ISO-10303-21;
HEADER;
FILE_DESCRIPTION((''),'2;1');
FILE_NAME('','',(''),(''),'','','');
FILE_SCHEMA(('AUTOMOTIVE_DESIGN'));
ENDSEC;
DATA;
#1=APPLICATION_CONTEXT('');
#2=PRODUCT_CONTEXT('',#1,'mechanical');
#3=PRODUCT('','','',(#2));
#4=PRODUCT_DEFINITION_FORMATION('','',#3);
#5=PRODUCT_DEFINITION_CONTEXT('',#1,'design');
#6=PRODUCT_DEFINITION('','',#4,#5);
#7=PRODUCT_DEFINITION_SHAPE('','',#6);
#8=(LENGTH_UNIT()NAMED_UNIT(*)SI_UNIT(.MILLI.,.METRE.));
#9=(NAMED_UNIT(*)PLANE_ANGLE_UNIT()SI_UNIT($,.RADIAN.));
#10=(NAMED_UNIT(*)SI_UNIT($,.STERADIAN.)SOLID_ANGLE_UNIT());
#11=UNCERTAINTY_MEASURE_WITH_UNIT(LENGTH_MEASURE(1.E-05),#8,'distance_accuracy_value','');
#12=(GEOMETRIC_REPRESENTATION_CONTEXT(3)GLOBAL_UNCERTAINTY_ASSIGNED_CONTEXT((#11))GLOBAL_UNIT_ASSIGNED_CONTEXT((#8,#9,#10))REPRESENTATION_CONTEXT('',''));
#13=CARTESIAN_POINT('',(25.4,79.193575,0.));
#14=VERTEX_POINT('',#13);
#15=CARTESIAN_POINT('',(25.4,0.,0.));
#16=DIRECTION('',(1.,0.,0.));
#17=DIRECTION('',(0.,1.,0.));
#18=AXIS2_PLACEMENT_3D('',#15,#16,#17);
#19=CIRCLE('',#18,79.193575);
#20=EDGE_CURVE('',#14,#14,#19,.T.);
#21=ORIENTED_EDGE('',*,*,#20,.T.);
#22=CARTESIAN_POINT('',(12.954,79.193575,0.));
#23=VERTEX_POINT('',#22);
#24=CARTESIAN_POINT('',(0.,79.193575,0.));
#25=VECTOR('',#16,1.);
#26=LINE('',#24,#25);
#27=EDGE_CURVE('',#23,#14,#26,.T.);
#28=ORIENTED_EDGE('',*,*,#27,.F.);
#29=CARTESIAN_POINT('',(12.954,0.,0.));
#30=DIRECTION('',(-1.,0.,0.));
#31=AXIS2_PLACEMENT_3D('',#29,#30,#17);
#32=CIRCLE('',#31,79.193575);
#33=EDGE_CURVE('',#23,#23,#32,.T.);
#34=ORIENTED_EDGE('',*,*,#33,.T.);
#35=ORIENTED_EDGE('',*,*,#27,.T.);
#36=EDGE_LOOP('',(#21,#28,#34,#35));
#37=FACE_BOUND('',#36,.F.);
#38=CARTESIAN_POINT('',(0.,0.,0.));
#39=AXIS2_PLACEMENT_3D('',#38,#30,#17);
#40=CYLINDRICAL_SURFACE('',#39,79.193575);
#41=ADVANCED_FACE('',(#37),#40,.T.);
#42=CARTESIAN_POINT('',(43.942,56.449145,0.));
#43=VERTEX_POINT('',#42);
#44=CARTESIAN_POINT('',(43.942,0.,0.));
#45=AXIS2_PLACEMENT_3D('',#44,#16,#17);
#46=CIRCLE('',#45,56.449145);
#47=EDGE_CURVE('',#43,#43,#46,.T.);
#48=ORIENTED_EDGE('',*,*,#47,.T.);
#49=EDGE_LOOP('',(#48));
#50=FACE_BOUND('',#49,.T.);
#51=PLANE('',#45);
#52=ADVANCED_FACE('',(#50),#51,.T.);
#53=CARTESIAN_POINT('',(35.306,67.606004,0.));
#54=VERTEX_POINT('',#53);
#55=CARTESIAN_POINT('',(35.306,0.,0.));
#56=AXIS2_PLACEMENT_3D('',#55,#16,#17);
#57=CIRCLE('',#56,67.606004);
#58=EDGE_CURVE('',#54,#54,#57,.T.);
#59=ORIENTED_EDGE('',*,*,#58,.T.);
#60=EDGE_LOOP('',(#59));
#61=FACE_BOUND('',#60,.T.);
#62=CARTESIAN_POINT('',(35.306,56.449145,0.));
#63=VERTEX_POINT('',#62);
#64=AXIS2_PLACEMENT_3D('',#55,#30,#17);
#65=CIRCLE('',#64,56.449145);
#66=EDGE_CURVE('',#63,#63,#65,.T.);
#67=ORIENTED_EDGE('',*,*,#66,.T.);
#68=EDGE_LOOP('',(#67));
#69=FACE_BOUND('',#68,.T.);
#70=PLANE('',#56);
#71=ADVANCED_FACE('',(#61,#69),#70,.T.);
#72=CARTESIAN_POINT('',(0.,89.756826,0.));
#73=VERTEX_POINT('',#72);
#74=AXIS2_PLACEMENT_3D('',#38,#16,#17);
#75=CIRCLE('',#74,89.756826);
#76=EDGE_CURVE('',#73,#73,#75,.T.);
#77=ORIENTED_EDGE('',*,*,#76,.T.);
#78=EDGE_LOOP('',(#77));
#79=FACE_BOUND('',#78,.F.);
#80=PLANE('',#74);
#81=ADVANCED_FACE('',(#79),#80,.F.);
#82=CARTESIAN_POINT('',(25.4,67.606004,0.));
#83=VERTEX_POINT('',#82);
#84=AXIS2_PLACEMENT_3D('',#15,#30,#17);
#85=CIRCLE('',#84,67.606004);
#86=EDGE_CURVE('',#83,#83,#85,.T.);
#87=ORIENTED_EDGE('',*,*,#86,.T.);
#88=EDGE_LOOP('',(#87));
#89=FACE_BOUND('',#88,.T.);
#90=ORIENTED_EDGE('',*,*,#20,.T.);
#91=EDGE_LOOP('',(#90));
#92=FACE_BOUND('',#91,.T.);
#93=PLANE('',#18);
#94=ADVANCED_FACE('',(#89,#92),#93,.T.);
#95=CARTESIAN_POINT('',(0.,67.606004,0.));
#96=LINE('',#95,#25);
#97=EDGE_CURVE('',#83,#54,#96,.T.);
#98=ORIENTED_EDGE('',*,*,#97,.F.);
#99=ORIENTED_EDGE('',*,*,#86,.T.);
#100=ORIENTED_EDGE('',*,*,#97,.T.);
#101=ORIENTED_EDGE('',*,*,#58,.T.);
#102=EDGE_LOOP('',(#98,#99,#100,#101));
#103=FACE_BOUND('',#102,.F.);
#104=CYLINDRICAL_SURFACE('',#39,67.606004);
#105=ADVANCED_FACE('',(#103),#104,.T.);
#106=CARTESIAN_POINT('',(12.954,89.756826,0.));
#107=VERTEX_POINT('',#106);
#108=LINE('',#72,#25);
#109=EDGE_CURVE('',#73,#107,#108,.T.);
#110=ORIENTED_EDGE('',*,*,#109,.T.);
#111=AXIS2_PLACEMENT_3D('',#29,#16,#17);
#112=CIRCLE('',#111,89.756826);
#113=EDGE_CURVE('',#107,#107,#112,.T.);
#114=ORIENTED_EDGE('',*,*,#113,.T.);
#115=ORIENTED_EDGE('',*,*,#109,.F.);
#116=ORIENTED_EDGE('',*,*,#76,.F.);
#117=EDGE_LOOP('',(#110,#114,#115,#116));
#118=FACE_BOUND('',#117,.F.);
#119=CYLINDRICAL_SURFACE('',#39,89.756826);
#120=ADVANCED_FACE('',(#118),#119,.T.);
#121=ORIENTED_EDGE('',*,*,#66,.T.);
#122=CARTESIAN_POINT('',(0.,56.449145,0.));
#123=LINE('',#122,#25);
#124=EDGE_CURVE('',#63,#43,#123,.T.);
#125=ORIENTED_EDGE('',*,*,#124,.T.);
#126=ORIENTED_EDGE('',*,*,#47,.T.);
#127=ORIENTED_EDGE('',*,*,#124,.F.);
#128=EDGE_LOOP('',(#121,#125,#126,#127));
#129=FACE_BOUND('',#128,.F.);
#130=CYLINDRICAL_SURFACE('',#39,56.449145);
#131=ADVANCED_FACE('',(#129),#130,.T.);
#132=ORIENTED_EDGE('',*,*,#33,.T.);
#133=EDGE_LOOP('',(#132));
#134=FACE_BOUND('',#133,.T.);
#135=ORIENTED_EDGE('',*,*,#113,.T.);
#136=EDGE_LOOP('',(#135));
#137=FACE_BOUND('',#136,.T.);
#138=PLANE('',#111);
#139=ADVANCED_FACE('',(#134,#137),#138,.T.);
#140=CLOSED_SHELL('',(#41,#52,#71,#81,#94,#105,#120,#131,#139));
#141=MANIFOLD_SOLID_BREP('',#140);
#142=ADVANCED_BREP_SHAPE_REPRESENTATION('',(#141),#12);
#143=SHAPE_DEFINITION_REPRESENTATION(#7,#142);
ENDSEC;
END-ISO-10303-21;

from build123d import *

# Parameters (mm, degrees)
F0_R     = 89.756826
F4_DEPTH = 12.954
F1_R     = 79.193575
F5_DEPTH = 25.4
F2_R     = 67.606004
F6_DEPTH = 35.306
F3_R     = 56.449145
F7_DEPTH = 43.942


with BuildPart() as f4:
    # F0 (on Right) → F4 (new body)
    with BuildSketch(Plane.YZ):
        Circle(F0_R)
    extrude(amount=F4_DEPTH)

    # F1 (on Right) → F5 (join)
    with BuildSketch(Plane.YZ):
        Circle(F1_R)
    extrude(amount=F5_DEPTH)

    # F2 (on Right) → F6 (join)
    with BuildSketch(Plane.YZ):
        Circle(F2_R)
    extrude(amount=F6_DEPTH)

    # F3 (on Right) → F7 (join)
    with BuildSketch(Plane.YZ):
        Circle(F3_R)
    extrude(amount=F7_DEPTH)


solid = f4.part
